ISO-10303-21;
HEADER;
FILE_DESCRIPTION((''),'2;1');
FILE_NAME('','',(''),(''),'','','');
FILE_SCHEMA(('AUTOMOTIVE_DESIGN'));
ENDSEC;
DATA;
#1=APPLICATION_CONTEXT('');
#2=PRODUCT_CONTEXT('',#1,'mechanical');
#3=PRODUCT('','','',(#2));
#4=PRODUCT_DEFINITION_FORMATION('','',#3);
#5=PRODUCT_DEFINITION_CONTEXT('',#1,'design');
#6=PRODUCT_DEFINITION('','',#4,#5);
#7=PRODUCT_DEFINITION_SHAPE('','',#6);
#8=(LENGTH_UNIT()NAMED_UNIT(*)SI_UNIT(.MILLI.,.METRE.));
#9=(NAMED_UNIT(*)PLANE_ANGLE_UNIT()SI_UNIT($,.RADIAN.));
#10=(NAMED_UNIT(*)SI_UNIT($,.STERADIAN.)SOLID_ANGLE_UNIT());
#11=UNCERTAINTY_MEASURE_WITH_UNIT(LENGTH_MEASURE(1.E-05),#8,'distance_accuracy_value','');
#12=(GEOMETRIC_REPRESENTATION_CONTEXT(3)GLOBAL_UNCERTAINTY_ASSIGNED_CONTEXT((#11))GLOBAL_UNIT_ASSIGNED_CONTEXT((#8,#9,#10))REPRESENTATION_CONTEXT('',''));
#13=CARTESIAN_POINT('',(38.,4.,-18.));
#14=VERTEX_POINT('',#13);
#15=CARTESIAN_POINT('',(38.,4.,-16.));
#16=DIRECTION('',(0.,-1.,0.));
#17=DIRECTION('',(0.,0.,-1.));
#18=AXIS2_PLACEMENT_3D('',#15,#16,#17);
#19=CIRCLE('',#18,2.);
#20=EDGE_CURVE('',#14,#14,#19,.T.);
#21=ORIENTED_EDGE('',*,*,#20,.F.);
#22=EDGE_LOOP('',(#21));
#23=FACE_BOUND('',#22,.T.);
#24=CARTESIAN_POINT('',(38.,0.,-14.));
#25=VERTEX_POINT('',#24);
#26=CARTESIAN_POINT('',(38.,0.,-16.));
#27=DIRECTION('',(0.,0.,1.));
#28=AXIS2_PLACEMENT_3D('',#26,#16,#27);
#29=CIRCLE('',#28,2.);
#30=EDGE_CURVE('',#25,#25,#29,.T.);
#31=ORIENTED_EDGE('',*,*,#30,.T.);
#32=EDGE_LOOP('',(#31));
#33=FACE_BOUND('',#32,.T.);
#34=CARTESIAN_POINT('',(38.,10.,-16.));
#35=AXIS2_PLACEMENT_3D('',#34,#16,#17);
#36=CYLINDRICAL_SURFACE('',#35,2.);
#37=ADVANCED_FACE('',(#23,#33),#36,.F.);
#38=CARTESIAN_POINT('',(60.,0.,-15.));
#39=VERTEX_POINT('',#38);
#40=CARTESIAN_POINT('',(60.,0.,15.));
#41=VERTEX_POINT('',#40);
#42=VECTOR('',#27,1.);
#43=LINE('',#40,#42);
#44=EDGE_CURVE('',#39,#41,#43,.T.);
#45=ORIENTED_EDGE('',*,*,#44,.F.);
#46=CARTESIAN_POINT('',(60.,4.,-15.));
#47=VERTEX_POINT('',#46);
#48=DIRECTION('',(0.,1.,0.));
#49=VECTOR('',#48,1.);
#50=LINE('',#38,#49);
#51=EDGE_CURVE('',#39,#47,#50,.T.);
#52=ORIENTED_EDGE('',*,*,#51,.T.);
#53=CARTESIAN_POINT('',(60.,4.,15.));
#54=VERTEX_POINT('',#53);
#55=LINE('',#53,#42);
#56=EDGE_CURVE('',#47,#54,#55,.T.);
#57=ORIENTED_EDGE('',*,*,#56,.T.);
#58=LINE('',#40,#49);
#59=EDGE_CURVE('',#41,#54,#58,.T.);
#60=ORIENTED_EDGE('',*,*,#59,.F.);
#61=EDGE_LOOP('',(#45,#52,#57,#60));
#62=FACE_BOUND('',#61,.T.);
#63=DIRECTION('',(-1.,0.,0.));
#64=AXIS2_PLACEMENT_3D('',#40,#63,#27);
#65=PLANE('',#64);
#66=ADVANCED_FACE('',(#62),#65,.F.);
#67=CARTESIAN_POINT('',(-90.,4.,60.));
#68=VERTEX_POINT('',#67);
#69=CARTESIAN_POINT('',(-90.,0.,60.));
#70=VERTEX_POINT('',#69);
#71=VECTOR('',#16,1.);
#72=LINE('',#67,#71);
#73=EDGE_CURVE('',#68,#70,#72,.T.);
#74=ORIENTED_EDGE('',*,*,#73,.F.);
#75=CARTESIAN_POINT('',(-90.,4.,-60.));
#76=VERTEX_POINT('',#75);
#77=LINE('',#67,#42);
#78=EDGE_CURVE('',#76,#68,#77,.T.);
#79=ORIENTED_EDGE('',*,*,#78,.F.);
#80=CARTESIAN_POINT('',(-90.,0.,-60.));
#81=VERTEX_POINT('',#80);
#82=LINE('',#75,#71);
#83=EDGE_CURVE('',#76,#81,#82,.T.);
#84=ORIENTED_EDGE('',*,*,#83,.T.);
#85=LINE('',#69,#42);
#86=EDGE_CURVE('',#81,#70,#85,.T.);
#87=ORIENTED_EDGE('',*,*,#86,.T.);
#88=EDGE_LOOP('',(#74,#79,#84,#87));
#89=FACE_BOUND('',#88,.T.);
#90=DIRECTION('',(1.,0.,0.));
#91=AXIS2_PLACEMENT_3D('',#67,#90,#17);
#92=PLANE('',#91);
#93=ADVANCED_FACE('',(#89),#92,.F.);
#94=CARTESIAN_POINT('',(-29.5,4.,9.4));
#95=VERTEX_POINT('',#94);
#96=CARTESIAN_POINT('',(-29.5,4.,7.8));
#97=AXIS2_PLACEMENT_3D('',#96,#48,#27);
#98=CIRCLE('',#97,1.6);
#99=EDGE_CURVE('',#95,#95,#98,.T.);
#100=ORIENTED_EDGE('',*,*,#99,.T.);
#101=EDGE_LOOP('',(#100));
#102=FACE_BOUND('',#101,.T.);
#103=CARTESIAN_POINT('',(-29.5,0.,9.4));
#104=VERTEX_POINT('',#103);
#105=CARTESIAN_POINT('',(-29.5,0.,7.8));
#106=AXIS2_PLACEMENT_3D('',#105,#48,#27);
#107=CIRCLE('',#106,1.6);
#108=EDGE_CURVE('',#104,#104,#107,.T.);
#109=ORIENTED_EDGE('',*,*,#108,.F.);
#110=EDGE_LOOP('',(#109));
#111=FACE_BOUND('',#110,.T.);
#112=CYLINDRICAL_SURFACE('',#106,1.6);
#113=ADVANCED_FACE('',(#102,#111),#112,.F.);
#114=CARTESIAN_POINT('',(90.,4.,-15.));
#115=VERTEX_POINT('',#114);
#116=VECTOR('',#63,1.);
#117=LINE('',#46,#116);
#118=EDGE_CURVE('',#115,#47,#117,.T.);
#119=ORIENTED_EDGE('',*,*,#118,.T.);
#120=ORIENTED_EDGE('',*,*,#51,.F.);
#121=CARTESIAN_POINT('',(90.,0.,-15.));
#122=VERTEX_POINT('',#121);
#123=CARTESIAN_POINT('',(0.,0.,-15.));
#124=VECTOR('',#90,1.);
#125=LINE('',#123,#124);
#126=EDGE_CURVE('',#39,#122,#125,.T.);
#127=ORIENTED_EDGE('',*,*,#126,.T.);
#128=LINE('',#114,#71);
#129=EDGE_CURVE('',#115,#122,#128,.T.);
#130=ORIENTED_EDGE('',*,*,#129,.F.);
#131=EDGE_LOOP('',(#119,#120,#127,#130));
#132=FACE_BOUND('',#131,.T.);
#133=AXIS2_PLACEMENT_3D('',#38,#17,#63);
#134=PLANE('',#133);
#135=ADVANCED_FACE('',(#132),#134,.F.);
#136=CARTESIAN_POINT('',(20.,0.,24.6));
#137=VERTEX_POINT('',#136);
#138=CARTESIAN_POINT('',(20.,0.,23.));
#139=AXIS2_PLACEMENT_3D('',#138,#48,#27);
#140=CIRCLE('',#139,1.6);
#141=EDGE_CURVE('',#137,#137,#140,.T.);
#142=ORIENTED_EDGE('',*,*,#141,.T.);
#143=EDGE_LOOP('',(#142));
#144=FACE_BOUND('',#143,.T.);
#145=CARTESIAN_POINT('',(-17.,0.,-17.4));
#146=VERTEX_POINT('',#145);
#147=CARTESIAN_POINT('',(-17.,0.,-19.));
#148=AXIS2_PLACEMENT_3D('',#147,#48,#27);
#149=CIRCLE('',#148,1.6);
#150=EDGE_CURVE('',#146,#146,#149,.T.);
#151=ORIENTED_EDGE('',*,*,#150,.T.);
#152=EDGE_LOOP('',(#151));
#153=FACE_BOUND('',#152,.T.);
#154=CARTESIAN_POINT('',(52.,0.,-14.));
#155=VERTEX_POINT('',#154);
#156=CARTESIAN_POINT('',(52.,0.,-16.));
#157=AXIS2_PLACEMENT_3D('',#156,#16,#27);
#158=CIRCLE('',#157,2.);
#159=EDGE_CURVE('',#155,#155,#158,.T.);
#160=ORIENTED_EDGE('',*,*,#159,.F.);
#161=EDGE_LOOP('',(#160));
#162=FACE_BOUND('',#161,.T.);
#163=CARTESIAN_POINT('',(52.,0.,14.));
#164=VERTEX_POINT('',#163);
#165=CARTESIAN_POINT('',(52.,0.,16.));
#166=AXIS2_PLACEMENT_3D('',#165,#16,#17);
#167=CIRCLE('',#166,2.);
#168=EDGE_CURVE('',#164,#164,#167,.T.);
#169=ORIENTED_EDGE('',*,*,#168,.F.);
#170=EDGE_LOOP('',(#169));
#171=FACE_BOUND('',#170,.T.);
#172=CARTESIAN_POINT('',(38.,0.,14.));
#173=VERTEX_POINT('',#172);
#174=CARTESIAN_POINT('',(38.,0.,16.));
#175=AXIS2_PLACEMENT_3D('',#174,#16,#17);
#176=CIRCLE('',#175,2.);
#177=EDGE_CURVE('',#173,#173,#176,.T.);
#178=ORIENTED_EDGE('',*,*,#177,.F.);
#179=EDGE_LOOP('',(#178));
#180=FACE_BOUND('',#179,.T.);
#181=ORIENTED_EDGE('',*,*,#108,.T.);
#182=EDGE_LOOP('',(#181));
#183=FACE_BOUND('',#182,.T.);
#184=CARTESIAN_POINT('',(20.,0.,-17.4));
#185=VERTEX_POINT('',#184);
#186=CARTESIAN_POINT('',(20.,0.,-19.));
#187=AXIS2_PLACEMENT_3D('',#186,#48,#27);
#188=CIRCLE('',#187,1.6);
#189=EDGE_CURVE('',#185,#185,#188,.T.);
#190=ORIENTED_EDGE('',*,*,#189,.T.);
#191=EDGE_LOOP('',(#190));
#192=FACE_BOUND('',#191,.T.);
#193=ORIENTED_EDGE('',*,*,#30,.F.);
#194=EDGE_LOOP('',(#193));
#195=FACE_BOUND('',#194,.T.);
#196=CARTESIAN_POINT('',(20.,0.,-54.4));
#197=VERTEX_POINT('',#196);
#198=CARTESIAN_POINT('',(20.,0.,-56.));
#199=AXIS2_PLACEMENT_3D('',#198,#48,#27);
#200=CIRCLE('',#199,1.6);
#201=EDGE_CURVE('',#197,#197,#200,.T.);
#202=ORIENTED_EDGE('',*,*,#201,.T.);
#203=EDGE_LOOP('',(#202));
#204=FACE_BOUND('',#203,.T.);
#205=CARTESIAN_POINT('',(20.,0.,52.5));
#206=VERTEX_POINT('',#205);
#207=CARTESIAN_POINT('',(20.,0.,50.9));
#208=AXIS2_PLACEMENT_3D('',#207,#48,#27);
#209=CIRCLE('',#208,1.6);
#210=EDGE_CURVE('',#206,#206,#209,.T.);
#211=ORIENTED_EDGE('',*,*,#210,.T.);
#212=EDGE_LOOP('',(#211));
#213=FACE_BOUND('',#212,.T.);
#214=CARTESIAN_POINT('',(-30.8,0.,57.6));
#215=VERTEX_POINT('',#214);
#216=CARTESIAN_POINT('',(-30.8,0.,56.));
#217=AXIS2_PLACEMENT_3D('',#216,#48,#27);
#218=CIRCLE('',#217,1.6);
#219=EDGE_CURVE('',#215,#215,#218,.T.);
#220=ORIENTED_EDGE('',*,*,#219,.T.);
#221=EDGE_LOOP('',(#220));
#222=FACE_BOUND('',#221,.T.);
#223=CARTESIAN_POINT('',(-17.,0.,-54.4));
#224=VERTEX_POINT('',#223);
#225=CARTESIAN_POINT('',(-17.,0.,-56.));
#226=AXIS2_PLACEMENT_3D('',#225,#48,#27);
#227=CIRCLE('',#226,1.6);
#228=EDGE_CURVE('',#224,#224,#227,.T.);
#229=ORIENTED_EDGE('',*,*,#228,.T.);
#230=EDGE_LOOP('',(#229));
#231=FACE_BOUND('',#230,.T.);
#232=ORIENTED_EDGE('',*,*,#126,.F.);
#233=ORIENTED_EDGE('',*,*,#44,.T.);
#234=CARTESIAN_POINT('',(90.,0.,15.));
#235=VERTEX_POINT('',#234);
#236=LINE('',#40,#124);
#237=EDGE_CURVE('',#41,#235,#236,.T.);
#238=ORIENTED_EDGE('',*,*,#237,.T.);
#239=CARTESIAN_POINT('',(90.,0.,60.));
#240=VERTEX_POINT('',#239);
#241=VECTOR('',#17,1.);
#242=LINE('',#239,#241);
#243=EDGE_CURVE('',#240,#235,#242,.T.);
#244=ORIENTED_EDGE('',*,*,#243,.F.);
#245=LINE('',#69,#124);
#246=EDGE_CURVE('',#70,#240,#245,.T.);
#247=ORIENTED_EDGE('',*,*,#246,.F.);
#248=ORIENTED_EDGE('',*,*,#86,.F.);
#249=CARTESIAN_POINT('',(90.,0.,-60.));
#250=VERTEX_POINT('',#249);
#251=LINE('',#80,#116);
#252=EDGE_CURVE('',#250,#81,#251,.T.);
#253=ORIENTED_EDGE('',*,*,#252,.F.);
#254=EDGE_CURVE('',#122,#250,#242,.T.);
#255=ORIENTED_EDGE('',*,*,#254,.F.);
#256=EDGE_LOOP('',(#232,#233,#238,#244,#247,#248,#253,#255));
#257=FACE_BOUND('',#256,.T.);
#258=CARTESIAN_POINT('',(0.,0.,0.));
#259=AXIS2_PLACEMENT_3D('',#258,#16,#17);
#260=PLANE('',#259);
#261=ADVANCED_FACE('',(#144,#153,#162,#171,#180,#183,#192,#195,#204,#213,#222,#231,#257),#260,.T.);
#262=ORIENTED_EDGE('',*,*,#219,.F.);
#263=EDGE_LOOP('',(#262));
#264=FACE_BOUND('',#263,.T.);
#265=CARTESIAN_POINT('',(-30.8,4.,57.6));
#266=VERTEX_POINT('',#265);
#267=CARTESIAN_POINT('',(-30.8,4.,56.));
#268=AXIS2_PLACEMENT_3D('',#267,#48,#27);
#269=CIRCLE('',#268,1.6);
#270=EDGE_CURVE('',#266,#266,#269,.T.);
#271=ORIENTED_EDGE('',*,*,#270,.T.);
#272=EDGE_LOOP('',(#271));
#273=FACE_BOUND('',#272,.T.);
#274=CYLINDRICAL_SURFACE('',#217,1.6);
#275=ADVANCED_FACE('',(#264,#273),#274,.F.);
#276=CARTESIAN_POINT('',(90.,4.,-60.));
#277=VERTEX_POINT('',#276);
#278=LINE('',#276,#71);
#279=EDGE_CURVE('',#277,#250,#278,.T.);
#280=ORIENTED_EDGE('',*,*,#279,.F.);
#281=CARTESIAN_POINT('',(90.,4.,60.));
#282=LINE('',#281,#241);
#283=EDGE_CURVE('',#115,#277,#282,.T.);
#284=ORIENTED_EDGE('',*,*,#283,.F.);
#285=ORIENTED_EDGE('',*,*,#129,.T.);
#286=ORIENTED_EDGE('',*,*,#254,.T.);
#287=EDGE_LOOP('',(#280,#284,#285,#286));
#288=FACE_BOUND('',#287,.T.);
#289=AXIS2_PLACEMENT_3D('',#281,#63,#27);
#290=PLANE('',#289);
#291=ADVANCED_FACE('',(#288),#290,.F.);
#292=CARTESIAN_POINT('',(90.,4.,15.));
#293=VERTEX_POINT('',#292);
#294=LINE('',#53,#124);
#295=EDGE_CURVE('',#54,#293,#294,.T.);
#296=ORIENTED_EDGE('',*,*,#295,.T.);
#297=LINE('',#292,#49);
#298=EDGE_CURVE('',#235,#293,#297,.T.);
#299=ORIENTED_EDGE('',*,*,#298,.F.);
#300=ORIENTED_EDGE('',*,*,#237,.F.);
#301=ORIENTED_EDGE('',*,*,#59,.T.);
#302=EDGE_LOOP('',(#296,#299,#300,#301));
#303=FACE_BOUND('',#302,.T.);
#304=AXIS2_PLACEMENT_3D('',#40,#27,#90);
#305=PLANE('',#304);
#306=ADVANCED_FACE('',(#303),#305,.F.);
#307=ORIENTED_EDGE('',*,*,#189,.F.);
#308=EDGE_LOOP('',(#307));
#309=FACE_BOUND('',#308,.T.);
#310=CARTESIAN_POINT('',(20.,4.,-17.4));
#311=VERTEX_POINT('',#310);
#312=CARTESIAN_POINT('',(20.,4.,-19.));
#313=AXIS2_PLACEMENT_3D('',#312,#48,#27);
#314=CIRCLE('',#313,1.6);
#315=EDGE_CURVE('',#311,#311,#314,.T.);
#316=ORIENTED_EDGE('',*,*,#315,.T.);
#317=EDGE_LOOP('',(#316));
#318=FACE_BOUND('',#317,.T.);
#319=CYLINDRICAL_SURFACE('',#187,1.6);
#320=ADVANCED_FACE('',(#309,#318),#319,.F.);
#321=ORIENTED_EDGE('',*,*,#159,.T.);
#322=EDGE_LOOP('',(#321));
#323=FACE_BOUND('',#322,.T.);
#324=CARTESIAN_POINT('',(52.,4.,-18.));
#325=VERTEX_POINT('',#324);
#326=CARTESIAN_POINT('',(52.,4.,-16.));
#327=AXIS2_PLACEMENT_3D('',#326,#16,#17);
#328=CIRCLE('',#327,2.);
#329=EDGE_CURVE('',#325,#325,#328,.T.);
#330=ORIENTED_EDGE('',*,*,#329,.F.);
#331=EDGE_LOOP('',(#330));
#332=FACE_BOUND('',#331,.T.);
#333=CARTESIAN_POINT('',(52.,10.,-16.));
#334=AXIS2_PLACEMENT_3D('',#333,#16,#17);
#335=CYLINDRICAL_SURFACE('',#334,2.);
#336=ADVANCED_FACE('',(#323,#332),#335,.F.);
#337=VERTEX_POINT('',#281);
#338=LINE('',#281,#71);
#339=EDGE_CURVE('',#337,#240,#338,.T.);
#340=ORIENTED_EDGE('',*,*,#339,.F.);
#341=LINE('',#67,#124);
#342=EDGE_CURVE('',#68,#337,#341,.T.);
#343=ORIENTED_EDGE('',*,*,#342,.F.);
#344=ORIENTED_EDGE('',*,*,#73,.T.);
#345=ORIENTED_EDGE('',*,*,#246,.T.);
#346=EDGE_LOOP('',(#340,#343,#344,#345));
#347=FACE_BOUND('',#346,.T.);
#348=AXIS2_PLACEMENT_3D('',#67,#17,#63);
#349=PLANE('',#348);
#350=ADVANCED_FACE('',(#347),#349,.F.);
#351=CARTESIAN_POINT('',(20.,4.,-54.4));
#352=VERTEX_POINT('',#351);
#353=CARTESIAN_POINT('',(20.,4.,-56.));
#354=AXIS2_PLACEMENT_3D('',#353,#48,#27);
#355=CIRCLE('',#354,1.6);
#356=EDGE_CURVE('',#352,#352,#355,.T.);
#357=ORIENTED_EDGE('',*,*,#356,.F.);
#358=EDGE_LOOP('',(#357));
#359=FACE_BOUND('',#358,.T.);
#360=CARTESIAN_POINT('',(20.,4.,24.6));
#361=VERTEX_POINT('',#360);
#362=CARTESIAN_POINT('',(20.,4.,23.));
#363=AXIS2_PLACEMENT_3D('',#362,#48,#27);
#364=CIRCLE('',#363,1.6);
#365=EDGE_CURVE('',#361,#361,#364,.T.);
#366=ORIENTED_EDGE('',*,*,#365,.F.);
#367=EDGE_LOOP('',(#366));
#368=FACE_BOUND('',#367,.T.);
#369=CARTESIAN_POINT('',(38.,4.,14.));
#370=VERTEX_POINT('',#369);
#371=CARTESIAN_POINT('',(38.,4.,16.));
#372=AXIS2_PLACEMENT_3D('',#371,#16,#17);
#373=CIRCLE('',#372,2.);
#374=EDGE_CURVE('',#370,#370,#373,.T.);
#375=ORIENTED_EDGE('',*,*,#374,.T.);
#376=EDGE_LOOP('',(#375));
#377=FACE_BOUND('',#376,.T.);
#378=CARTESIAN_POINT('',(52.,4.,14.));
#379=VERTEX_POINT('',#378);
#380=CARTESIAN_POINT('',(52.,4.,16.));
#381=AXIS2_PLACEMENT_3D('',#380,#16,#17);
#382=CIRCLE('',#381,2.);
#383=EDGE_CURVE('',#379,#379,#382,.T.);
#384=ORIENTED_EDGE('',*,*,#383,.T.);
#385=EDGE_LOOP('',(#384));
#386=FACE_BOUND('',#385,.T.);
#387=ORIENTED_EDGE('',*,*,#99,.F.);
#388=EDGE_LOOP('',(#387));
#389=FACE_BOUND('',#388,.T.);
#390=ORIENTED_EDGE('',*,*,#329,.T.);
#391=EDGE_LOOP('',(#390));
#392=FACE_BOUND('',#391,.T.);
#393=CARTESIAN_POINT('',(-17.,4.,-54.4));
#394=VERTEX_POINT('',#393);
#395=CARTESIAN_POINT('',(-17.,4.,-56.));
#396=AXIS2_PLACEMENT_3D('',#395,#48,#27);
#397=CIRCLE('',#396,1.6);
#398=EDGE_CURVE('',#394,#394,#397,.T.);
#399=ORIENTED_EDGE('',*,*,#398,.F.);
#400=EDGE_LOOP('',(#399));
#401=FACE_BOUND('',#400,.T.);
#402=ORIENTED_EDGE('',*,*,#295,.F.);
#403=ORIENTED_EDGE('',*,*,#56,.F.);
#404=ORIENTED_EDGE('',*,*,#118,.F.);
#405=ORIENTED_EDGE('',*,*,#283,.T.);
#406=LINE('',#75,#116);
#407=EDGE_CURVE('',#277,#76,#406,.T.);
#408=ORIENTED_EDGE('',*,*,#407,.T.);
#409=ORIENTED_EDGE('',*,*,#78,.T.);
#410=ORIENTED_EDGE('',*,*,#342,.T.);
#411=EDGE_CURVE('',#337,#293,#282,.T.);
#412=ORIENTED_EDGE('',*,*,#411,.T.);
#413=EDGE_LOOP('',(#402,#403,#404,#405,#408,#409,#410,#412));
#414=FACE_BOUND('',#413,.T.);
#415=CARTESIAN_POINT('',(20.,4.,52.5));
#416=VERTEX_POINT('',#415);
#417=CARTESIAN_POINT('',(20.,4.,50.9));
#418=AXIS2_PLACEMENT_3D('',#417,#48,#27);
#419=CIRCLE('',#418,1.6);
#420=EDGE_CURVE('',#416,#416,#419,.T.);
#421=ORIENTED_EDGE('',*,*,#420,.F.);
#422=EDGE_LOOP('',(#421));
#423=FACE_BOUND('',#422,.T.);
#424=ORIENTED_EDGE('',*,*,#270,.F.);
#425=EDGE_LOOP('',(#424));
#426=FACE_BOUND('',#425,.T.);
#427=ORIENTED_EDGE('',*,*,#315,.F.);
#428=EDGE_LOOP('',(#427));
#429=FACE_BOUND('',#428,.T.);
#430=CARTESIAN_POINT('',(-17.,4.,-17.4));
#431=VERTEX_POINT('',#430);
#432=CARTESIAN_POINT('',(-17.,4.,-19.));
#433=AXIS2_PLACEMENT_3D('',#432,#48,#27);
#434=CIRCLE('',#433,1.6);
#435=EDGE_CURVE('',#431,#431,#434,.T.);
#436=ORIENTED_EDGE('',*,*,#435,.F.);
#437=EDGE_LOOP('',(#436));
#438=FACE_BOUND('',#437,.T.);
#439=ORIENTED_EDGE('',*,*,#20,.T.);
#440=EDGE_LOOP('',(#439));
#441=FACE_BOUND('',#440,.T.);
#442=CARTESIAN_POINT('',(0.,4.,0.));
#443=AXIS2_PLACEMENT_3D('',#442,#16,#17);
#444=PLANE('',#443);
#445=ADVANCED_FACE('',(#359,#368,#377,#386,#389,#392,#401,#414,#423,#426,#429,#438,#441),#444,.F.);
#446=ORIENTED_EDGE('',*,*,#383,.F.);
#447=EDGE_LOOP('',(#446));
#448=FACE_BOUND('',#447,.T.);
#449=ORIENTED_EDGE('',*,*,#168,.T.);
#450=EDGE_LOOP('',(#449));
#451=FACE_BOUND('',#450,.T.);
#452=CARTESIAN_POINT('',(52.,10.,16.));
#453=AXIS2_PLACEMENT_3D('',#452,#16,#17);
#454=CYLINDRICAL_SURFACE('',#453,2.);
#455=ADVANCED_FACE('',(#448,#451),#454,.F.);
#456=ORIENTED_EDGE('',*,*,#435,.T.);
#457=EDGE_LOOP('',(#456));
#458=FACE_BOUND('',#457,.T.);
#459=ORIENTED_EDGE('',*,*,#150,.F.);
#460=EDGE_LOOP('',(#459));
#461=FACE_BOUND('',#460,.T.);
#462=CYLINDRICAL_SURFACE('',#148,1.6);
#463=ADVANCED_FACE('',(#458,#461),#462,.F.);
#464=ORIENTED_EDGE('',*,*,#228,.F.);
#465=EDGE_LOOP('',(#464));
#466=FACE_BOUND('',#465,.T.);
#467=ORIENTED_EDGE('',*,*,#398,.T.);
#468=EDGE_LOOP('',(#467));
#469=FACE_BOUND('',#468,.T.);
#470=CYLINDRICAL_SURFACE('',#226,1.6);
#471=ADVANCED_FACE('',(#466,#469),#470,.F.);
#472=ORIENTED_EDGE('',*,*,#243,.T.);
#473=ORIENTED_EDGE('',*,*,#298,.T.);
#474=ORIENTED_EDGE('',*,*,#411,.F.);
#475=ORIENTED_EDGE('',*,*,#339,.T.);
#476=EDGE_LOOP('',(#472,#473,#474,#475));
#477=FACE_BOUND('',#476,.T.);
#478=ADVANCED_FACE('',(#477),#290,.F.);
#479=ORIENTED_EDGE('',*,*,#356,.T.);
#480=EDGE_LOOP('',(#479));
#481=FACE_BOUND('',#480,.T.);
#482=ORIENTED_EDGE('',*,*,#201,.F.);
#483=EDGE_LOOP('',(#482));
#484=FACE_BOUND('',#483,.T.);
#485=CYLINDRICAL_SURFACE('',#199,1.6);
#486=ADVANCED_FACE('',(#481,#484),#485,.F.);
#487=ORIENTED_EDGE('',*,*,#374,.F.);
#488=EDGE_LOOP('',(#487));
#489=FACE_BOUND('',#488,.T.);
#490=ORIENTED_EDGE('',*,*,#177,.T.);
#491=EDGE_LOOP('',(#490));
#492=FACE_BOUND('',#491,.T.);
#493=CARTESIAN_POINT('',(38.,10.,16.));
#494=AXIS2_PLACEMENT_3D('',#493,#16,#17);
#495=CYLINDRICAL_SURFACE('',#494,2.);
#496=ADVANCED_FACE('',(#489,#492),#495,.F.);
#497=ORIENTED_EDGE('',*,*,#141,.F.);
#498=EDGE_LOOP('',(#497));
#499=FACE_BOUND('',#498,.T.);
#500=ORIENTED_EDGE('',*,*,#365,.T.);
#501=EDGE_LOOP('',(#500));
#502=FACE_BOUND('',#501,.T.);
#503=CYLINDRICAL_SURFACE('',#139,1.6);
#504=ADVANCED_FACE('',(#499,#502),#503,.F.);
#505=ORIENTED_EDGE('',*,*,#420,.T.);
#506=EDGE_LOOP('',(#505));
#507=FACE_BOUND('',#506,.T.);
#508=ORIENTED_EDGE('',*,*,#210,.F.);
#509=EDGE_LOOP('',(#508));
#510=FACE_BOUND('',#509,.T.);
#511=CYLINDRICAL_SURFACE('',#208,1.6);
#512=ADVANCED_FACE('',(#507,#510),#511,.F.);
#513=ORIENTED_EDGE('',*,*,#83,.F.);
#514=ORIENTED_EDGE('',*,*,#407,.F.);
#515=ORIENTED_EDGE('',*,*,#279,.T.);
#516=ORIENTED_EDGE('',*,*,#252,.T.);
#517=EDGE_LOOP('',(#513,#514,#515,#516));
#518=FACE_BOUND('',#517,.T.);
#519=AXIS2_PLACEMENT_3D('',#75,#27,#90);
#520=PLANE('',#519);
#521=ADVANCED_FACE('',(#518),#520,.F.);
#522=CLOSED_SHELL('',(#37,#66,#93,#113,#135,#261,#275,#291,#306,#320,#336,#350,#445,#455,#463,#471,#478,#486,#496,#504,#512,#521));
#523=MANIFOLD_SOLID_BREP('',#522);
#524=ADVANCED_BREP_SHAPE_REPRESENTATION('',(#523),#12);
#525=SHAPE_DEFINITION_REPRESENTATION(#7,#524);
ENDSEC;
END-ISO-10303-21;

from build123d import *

# Parameters (mm, degrees)
SKETCH_1_W          = 180
SKETCH_1_H          = 120
EXTRUDE_1_DEPTH     = 4
SKETCH_3_W          = 40
SKETCH_3_H          = 30
CUT_EXTRUDE_2_DEPTH = 4
SKETCH_4_R          = 1.6
CUT_EXTRUDE_3_DEPTH = 4
SKETCH_5_R          = 1.6
CUT_EXTRUDE_4_DEPTH = 4
SKETCH_7_R          = 2
CUT_EXTRUDE_5_DEPTH = 10


with BuildPart() as part:
    # 草图1 → 凸台-拉伸1 (new body)
    with BuildSketch(Plane(origin=(0, 0, 0), x_dir=(1, 0, 0), z_dir=(0, 1, 0))):
        Rectangle(SKETCH_1_W, SKETCH_1_H)
    extrude(amount=EXTRUDE_1_DEPTH)

    # 草图3 → 切除-拉伸2 (cut)
    with BuildSketch(Plane(origin=(0, 4, 0), x_dir=(1, 0, 0), z_dir=(0, 1, 0))):
        with Locations((80, 0)):
            Rectangle(SKETCH_3_W, SKETCH_3_H)
    extrude(amount=-CUT_EXTRUDE_2_DEPTH, mode=Mode.SUBTRACT)

    # 草图4 → 切除-拉伸3 (cut)
    with BuildSketch(Plane(origin=(0, 4, 0), x_dir=(1, 0, 0), z_dir=(0, 1, 0))):
        with Locations(Location((-17, 56, 0), (0, 0, 270))):
            Circle(SKETCH_4_R)
        with Locations(Location((20, 56, 0), (0, 0, 270))):
            Circle(SKETCH_4_R)
        with Locations(Location((20, 19, 0), (0, 0, 270))):
            Circle(SKETCH_4_R)
        with Locations(Location((-17, 19, 0), (0, 0, 270))):
            Circle(SKETCH_4_R)
    extrude(amount=-CUT_EXTRUDE_3_DEPTH, mode=Mode.SUBTRACT)

    # 草图5 → 切除-拉伸4 (cut)
    with BuildSketch(Plane(origin=(0, 4, 0), x_dir=(1, 0, 0), z_dir=(0, 1, 0))):
        with Locations(Location((-29.5, -7.8, 0), (0, 0, 270))):
            Circle(SKETCH_5_R)
        with Locations(Location((20, -23, 0), (0, 0, 270))):
            Circle(SKETCH_5_R)
        with Locations(Location((20, -50.9, 0), (0, 0, 270))):
            Circle(SKETCH_5_R)
        with Locations(Location((-30.8, -56, 0), (0, 0, 270))):
            Circle(SKETCH_5_R)
    extrude(amount=-CUT_EXTRUDE_4_DEPTH, mode=Mode.SUBTRACT)

    # 草图7 → 切除-拉伸5 (cut)
    with BuildSketch(Plane.XZ):
        with Locations(Location((52, 16, 0), (0, 0, 270))):
            Circle(SKETCH_7_R)
        with Locations(Location((38, 16, 0), (0, 0, 270))):
            Circle(SKETCH_7_R)
        with Locations(Location((52, -16, 0), (0, 0, 270))):
            Circle(SKETCH_7_R)
        with Locations(Location((38, -16, 0), (0, 0, 270))):
            Circle(SKETCH_7_R)
    extrude(amount=-CUT_EXTRUDE_5_DEPTH, mode=Mode.SUBTRACT)


solid = part.part
